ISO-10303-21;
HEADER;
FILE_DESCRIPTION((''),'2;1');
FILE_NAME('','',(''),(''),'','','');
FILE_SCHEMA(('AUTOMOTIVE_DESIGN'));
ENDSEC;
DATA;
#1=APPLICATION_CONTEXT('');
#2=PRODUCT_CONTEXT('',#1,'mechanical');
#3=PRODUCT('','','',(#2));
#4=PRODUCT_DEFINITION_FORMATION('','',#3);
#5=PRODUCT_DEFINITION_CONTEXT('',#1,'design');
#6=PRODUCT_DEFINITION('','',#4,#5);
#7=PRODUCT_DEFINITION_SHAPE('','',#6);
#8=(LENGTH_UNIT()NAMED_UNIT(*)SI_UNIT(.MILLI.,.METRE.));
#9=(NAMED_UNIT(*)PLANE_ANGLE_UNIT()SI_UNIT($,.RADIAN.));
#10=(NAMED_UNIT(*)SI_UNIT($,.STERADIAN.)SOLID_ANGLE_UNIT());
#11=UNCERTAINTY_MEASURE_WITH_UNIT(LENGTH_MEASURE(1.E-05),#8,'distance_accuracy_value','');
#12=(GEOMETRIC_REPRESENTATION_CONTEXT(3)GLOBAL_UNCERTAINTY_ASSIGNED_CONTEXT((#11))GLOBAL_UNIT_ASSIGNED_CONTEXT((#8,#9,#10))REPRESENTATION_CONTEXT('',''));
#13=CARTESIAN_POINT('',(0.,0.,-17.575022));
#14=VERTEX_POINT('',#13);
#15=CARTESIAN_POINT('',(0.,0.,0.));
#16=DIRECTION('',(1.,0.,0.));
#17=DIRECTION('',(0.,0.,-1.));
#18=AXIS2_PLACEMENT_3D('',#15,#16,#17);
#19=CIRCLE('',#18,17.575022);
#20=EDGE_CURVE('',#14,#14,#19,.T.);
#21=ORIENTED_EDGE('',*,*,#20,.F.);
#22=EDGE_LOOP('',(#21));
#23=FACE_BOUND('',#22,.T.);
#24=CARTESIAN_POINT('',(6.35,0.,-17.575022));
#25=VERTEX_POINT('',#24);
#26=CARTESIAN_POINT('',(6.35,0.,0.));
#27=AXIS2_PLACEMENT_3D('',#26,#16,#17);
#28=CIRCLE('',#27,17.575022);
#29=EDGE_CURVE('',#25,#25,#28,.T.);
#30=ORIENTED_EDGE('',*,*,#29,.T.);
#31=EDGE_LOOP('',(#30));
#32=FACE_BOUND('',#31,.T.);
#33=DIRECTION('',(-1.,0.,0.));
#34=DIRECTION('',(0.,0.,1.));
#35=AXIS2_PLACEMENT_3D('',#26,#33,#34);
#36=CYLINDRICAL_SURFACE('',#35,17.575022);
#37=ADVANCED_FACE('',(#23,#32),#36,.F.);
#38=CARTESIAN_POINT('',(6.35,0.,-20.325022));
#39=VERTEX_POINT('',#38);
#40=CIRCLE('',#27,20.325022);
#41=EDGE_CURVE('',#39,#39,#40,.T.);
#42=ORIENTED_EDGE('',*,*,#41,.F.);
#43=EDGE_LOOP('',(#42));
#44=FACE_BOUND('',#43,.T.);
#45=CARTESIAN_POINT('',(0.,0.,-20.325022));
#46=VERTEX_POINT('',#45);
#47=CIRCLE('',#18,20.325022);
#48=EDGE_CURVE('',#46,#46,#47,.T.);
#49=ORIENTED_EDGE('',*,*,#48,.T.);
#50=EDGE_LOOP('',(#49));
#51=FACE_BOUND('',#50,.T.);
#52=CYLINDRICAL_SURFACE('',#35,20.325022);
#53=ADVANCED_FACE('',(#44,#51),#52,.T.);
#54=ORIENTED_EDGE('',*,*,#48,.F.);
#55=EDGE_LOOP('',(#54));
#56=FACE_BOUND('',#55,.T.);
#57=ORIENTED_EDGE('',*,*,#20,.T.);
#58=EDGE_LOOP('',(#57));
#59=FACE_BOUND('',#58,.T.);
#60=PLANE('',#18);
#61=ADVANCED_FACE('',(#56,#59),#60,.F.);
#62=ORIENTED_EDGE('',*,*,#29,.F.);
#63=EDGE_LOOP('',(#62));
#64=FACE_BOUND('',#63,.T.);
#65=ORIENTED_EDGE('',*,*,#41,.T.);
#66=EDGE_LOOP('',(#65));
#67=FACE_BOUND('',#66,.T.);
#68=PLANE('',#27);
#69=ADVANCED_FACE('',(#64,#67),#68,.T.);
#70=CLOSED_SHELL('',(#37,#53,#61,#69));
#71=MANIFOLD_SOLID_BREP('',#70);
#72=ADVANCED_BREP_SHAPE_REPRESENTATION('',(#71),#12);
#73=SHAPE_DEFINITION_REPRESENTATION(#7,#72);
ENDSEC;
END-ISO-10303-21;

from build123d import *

# Parameters (mm, degrees)
SKETCH1_R           = 20.325022
SKETCH1_R_2         = 17.575022
BOSS_EXTRUDE1_DEPTH = 6.35


with BuildPart() as part:
    # Sketch1 → Boss-Extrude1 (new body)
    with BuildSketch(Plane(origin=(0, 0, 0), x_dir=(0, 0, -1), z_dir=(1, 0, 0))):
        Circle(SKETCH1_R)
        Circle(SKETCH1_R_2, mode=Mode.SUBTRACT)
    extrude(amount=BOSS_EXTRUDE1_DEPTH)


solid = part.part
